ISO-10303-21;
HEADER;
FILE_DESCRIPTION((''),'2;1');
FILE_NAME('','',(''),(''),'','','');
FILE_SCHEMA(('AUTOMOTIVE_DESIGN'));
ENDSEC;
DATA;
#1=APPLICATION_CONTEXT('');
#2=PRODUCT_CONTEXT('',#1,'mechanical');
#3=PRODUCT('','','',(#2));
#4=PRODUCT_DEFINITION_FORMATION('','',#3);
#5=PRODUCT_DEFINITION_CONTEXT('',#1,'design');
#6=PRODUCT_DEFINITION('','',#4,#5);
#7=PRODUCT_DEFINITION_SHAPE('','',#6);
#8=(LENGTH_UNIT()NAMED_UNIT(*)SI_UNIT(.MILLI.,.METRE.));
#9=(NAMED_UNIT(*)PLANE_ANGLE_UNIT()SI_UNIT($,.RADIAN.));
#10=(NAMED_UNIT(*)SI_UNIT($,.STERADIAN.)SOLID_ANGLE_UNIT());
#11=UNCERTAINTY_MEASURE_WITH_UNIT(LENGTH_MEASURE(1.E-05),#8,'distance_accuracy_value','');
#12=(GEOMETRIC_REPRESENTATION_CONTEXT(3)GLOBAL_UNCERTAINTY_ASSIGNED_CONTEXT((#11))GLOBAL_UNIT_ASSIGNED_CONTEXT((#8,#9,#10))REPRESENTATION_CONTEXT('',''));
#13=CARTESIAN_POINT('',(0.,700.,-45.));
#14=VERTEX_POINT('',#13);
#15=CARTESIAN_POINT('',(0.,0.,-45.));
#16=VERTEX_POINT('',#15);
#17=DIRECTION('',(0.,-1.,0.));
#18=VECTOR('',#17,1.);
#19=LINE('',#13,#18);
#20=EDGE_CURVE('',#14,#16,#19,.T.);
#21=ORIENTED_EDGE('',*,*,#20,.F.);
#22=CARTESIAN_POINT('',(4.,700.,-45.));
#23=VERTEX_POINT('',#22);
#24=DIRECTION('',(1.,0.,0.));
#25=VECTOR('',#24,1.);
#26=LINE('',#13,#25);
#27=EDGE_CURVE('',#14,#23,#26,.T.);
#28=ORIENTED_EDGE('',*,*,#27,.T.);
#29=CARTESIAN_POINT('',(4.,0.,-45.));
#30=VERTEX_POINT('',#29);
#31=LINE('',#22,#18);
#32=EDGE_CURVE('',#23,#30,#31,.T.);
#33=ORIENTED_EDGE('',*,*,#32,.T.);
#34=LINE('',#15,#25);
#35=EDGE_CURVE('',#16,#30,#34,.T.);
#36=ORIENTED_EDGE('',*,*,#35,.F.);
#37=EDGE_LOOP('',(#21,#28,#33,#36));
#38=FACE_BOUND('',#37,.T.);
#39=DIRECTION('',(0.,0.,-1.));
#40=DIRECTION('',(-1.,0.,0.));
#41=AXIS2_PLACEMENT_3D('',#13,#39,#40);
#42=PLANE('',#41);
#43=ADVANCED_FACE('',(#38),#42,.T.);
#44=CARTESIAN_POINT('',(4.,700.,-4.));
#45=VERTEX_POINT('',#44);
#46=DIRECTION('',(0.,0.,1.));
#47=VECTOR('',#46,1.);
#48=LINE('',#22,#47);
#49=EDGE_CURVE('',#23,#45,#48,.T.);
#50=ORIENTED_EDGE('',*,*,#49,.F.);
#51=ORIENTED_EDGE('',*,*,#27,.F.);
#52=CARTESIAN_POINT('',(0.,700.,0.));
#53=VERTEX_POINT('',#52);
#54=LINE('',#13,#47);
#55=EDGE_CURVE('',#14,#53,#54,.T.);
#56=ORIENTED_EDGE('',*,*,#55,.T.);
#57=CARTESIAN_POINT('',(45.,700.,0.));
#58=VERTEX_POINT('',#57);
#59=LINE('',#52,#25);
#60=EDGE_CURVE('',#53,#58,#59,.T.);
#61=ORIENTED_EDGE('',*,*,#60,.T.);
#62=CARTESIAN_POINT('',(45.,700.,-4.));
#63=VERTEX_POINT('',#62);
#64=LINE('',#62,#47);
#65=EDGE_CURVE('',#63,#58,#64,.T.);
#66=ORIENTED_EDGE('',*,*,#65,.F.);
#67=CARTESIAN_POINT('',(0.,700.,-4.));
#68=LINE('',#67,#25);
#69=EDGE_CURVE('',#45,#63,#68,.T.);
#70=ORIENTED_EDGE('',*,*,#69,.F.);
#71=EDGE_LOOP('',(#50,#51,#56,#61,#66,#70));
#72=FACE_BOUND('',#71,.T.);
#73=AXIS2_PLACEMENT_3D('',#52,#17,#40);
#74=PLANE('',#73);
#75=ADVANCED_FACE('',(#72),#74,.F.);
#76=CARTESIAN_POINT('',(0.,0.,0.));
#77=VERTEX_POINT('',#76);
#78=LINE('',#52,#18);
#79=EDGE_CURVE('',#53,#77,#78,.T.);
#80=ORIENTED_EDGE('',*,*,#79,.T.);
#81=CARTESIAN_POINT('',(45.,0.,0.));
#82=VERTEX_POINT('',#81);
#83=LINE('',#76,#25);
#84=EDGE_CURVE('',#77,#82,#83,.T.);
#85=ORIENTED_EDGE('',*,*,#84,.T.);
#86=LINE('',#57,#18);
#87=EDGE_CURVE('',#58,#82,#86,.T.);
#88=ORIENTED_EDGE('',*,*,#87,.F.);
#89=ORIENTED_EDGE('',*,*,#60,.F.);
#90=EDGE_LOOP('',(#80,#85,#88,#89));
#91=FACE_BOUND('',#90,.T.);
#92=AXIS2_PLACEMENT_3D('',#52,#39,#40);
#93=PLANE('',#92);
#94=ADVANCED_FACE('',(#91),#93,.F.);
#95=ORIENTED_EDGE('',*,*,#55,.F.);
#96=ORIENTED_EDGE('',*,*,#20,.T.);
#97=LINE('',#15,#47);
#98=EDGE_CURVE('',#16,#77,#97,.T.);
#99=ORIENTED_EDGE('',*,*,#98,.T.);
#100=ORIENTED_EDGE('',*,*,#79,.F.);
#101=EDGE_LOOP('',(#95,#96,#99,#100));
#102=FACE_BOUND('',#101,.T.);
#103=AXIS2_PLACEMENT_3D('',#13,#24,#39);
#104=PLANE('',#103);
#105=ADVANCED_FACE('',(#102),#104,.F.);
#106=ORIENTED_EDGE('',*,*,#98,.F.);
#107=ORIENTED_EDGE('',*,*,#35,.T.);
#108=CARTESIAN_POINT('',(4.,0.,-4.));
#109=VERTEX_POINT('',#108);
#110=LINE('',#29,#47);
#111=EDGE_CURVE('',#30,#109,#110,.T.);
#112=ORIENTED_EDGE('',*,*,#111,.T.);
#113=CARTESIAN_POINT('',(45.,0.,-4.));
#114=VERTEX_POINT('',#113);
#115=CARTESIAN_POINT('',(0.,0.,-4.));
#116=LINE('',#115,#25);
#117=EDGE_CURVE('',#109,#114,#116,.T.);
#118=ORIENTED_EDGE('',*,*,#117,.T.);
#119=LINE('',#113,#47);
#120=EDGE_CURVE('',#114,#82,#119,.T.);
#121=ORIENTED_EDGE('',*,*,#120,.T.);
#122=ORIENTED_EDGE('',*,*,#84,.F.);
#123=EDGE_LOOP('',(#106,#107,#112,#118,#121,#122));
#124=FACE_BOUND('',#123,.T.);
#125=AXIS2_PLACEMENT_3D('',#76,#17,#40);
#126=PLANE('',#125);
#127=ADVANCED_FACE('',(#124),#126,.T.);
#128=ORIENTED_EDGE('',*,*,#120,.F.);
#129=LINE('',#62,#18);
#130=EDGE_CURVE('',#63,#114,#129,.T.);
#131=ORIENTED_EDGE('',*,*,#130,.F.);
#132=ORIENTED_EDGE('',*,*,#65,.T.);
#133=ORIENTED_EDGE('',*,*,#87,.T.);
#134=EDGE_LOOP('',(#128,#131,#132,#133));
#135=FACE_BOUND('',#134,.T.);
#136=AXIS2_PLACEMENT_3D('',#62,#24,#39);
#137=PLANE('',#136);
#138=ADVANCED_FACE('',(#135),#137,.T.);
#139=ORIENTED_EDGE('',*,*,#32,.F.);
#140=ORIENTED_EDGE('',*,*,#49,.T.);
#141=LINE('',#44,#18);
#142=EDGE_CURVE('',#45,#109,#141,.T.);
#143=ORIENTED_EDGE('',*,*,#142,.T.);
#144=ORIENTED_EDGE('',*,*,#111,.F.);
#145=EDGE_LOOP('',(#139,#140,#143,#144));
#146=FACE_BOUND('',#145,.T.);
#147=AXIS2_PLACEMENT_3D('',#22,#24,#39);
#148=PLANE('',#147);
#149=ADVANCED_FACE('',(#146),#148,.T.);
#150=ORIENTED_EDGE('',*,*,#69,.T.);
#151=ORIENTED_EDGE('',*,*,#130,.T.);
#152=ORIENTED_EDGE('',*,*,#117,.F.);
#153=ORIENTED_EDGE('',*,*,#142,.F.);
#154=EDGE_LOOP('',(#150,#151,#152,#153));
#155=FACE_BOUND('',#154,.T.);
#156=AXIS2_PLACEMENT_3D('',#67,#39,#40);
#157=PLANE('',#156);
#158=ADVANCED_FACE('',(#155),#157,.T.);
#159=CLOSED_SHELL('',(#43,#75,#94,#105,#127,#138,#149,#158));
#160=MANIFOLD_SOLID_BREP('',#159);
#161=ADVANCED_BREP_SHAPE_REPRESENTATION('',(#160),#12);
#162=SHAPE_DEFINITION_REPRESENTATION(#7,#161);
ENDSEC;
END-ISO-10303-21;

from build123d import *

# Parameters (mm, degrees)
EXTRUDE_1_DEPTH = 700


with BuildPart() as part:
    # Эскиз1 → Вытянуть-Тонкостенный1 (new body)
    with BuildSketch(Plane(origin=(0, 0, 0), x_dir=(1, 0, 0), z_dir=(0, 1, 0))):
        Polygon((0, 45), (0, 0), (45, 0), (45, 4), (4, 4), (4, 45), align=None)
    extrude(amount=EXTRUDE_1_DEPTH)


solid = part.part
